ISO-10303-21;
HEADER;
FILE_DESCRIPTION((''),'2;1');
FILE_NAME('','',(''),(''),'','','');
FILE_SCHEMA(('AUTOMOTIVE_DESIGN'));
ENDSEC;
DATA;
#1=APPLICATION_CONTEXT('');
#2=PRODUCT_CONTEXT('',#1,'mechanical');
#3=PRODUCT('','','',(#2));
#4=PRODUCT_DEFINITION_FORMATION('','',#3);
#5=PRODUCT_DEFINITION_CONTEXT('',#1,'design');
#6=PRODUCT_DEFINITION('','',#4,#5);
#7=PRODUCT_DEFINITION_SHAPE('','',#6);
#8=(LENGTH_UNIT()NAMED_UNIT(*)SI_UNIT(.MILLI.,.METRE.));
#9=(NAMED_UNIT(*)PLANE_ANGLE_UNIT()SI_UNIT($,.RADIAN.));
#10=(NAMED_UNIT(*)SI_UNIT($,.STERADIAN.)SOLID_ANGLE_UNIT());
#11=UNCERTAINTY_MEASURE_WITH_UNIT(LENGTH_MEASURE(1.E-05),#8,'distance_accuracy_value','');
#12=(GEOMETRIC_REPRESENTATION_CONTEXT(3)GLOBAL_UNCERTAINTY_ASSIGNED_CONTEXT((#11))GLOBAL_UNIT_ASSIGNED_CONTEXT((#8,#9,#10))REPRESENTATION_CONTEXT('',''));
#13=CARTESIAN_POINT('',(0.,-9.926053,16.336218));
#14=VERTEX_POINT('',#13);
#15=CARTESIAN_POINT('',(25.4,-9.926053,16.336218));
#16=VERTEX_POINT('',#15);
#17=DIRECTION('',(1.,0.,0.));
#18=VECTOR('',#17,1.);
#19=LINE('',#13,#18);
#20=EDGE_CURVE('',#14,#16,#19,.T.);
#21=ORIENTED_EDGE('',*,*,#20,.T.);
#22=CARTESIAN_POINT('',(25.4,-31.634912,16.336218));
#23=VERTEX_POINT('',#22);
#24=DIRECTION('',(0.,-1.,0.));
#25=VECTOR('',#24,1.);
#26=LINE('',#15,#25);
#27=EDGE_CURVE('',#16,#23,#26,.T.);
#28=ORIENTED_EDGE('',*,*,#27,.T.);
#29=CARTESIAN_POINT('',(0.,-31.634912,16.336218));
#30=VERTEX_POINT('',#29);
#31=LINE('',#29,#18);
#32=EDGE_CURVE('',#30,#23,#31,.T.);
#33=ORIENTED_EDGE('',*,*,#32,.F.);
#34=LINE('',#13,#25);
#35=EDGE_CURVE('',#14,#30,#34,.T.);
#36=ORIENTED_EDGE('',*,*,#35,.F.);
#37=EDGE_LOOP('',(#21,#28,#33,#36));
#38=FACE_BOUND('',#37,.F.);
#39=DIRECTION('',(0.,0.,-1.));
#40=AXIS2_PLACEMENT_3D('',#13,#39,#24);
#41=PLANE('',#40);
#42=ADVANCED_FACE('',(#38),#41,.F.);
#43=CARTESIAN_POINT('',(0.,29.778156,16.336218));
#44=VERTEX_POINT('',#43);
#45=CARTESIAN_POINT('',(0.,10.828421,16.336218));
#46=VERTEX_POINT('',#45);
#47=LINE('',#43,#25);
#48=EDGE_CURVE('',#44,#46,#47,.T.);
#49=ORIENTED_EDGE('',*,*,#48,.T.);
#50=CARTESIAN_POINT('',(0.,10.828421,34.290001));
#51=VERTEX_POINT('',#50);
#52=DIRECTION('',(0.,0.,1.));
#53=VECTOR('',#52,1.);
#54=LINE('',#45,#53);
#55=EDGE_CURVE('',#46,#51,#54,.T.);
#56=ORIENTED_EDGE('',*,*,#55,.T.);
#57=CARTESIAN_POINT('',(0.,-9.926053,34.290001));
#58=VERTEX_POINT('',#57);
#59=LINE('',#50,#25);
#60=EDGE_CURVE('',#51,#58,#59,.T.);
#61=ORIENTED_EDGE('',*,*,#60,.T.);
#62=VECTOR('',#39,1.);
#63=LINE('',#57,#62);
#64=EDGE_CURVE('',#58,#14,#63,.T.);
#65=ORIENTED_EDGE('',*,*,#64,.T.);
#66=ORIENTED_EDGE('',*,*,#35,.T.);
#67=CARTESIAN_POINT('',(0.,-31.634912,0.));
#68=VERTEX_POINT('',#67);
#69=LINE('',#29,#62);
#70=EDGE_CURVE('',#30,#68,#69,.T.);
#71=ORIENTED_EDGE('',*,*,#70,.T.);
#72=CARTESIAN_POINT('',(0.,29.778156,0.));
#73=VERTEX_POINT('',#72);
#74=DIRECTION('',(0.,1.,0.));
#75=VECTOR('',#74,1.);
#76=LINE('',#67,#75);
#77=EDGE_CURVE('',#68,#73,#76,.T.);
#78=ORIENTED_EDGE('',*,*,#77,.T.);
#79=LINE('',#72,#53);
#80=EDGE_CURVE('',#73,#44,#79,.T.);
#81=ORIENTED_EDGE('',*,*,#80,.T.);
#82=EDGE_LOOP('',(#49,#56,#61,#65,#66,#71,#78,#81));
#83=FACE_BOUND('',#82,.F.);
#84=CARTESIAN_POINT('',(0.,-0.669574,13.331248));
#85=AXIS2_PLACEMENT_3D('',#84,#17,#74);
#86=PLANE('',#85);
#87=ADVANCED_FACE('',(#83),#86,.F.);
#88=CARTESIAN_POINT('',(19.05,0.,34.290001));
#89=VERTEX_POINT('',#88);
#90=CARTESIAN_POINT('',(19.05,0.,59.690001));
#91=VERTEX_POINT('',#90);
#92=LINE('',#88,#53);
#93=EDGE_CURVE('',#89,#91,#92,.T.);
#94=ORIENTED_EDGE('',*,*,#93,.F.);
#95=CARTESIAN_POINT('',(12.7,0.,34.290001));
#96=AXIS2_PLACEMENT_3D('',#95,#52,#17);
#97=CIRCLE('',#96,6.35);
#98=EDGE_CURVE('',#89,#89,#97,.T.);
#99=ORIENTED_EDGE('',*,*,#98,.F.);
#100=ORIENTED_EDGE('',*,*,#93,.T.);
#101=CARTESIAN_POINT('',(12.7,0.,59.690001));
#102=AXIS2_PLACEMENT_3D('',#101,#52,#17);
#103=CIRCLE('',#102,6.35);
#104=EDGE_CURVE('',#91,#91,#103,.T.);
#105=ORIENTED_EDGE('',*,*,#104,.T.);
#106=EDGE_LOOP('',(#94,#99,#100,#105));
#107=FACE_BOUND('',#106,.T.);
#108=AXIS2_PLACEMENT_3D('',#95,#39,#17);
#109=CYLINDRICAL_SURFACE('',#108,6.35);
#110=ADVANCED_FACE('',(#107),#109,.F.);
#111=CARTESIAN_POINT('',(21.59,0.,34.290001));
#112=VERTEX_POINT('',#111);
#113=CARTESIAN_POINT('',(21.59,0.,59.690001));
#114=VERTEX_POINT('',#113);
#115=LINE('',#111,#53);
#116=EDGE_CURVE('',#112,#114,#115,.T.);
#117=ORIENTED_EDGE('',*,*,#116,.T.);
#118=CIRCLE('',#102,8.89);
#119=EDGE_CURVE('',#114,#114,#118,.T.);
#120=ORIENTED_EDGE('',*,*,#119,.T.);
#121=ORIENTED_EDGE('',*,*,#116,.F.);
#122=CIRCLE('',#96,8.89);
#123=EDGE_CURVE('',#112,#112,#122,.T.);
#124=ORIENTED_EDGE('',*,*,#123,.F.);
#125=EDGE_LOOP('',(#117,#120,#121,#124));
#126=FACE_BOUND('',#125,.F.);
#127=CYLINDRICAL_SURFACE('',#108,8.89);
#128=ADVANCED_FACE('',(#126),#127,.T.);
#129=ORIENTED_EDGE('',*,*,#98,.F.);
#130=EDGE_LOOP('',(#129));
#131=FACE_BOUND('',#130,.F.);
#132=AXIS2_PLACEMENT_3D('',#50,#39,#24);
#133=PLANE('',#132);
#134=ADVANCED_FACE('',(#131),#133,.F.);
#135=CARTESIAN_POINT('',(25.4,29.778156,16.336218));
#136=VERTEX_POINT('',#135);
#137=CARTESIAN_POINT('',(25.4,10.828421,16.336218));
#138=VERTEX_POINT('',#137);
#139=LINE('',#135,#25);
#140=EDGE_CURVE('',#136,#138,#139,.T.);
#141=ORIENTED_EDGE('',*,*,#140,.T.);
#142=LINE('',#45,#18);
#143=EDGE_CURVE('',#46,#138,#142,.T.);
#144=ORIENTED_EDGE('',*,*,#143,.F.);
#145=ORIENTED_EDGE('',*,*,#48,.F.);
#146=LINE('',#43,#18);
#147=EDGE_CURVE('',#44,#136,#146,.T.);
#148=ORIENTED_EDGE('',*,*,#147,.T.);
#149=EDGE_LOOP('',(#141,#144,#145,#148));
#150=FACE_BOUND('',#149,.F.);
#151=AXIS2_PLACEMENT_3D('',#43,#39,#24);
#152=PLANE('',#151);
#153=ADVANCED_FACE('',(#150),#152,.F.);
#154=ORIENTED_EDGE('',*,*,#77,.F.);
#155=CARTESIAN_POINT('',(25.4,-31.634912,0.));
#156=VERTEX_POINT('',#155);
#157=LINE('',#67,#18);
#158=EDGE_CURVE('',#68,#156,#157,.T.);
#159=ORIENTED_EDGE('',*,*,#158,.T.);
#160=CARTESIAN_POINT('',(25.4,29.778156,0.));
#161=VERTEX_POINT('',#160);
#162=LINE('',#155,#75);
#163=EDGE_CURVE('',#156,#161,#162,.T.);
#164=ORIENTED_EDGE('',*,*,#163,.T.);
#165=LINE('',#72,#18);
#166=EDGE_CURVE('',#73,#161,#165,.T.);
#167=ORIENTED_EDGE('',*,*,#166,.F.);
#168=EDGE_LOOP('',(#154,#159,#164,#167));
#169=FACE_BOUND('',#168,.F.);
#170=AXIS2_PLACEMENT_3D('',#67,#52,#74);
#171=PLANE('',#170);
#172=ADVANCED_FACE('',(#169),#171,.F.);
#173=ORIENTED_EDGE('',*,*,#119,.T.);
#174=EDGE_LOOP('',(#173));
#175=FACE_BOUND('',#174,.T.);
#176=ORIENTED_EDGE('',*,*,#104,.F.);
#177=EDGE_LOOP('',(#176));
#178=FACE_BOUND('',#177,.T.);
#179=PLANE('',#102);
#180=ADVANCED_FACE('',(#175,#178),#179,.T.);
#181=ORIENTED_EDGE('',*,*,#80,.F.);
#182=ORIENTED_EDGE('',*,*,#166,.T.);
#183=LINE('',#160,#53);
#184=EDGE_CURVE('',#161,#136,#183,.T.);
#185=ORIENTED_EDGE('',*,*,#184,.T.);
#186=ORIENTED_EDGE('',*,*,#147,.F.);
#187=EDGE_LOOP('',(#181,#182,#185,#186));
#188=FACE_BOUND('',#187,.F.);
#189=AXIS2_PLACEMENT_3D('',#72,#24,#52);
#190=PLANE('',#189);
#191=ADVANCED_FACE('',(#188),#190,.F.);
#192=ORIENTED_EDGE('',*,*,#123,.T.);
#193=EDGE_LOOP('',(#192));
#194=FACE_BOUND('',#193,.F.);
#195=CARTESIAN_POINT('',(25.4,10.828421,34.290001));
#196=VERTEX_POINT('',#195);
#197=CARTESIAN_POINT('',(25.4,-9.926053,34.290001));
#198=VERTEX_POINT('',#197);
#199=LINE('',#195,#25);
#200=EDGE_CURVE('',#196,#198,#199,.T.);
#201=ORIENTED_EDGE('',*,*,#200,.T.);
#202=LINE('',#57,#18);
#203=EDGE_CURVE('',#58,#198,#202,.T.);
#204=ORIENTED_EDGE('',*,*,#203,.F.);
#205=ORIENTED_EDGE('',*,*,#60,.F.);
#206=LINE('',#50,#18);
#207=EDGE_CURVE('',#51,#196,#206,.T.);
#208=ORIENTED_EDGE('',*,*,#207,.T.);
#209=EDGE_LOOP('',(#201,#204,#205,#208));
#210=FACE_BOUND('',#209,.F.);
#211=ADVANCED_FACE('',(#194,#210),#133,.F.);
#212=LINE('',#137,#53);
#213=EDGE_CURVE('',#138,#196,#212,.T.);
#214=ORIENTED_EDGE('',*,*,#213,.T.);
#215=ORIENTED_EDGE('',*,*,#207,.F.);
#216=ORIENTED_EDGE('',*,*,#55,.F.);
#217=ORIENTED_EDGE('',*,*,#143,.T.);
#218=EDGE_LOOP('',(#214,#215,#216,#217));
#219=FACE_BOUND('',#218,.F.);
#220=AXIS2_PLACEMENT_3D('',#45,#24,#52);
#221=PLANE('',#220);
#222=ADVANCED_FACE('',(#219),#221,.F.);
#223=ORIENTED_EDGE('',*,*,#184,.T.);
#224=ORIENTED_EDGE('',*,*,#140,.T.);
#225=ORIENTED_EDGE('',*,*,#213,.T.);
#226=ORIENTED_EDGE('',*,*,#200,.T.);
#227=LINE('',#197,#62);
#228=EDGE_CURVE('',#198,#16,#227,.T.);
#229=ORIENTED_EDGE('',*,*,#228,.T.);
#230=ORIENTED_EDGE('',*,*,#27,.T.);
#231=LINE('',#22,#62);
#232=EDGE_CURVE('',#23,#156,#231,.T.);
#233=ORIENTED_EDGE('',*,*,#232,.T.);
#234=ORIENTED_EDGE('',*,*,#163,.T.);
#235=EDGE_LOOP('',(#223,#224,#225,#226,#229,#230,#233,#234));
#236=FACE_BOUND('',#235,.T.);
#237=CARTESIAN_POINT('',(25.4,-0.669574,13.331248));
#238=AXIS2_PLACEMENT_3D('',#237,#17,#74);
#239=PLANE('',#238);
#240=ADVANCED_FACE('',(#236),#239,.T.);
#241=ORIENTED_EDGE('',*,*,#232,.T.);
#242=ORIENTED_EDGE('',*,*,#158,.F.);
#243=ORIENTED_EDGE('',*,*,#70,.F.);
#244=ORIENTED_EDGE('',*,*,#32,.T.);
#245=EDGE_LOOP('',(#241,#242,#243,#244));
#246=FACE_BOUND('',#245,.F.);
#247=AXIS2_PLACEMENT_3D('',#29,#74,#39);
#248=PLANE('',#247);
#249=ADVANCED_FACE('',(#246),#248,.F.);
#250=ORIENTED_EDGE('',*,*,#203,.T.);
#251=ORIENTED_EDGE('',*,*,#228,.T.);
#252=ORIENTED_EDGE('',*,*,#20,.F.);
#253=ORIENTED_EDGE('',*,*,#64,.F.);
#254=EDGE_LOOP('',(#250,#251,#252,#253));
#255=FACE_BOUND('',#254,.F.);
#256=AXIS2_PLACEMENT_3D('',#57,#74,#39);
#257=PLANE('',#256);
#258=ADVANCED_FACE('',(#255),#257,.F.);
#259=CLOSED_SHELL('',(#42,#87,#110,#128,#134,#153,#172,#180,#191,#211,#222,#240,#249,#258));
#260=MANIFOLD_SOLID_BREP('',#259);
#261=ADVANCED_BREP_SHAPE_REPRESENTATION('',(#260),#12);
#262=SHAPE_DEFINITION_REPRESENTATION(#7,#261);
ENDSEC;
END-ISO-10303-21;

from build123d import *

# Parameters (mm, degrees)
F1_DEPTH = 25.4
F2_R     = 8.89
F2_R_2   = 6.35
F3_DEPTH = 25.4


with BuildPart() as f1:
    # F0 (on Right) → F1 (new body)
    with BuildSketch(Plane.YZ):
        Polygon((-31.634912, 16.336218), (-31.634912, 0), (0, 0), (29.778156, 0), (29.778156, 16.336218), (10.828421, 16.336218), (10.828421, 34.290001), (-9.926053, 34.290001), (-9.926053, 16.336218), align=None)
    extrude(amount=F1_DEPTH)

    # F2 (on face) → F3 (join)
    with BuildSketch(Plane.XY.offset(34.290001)):
        with Locations((12.7, 0)):
            Circle(F2_R)
        with Locations((12.7, 0)):
            Circle(F2_R_2, mode=Mode.SUBTRACT)
    extrude(amount=F3_DEPTH)


solid = f1.part
